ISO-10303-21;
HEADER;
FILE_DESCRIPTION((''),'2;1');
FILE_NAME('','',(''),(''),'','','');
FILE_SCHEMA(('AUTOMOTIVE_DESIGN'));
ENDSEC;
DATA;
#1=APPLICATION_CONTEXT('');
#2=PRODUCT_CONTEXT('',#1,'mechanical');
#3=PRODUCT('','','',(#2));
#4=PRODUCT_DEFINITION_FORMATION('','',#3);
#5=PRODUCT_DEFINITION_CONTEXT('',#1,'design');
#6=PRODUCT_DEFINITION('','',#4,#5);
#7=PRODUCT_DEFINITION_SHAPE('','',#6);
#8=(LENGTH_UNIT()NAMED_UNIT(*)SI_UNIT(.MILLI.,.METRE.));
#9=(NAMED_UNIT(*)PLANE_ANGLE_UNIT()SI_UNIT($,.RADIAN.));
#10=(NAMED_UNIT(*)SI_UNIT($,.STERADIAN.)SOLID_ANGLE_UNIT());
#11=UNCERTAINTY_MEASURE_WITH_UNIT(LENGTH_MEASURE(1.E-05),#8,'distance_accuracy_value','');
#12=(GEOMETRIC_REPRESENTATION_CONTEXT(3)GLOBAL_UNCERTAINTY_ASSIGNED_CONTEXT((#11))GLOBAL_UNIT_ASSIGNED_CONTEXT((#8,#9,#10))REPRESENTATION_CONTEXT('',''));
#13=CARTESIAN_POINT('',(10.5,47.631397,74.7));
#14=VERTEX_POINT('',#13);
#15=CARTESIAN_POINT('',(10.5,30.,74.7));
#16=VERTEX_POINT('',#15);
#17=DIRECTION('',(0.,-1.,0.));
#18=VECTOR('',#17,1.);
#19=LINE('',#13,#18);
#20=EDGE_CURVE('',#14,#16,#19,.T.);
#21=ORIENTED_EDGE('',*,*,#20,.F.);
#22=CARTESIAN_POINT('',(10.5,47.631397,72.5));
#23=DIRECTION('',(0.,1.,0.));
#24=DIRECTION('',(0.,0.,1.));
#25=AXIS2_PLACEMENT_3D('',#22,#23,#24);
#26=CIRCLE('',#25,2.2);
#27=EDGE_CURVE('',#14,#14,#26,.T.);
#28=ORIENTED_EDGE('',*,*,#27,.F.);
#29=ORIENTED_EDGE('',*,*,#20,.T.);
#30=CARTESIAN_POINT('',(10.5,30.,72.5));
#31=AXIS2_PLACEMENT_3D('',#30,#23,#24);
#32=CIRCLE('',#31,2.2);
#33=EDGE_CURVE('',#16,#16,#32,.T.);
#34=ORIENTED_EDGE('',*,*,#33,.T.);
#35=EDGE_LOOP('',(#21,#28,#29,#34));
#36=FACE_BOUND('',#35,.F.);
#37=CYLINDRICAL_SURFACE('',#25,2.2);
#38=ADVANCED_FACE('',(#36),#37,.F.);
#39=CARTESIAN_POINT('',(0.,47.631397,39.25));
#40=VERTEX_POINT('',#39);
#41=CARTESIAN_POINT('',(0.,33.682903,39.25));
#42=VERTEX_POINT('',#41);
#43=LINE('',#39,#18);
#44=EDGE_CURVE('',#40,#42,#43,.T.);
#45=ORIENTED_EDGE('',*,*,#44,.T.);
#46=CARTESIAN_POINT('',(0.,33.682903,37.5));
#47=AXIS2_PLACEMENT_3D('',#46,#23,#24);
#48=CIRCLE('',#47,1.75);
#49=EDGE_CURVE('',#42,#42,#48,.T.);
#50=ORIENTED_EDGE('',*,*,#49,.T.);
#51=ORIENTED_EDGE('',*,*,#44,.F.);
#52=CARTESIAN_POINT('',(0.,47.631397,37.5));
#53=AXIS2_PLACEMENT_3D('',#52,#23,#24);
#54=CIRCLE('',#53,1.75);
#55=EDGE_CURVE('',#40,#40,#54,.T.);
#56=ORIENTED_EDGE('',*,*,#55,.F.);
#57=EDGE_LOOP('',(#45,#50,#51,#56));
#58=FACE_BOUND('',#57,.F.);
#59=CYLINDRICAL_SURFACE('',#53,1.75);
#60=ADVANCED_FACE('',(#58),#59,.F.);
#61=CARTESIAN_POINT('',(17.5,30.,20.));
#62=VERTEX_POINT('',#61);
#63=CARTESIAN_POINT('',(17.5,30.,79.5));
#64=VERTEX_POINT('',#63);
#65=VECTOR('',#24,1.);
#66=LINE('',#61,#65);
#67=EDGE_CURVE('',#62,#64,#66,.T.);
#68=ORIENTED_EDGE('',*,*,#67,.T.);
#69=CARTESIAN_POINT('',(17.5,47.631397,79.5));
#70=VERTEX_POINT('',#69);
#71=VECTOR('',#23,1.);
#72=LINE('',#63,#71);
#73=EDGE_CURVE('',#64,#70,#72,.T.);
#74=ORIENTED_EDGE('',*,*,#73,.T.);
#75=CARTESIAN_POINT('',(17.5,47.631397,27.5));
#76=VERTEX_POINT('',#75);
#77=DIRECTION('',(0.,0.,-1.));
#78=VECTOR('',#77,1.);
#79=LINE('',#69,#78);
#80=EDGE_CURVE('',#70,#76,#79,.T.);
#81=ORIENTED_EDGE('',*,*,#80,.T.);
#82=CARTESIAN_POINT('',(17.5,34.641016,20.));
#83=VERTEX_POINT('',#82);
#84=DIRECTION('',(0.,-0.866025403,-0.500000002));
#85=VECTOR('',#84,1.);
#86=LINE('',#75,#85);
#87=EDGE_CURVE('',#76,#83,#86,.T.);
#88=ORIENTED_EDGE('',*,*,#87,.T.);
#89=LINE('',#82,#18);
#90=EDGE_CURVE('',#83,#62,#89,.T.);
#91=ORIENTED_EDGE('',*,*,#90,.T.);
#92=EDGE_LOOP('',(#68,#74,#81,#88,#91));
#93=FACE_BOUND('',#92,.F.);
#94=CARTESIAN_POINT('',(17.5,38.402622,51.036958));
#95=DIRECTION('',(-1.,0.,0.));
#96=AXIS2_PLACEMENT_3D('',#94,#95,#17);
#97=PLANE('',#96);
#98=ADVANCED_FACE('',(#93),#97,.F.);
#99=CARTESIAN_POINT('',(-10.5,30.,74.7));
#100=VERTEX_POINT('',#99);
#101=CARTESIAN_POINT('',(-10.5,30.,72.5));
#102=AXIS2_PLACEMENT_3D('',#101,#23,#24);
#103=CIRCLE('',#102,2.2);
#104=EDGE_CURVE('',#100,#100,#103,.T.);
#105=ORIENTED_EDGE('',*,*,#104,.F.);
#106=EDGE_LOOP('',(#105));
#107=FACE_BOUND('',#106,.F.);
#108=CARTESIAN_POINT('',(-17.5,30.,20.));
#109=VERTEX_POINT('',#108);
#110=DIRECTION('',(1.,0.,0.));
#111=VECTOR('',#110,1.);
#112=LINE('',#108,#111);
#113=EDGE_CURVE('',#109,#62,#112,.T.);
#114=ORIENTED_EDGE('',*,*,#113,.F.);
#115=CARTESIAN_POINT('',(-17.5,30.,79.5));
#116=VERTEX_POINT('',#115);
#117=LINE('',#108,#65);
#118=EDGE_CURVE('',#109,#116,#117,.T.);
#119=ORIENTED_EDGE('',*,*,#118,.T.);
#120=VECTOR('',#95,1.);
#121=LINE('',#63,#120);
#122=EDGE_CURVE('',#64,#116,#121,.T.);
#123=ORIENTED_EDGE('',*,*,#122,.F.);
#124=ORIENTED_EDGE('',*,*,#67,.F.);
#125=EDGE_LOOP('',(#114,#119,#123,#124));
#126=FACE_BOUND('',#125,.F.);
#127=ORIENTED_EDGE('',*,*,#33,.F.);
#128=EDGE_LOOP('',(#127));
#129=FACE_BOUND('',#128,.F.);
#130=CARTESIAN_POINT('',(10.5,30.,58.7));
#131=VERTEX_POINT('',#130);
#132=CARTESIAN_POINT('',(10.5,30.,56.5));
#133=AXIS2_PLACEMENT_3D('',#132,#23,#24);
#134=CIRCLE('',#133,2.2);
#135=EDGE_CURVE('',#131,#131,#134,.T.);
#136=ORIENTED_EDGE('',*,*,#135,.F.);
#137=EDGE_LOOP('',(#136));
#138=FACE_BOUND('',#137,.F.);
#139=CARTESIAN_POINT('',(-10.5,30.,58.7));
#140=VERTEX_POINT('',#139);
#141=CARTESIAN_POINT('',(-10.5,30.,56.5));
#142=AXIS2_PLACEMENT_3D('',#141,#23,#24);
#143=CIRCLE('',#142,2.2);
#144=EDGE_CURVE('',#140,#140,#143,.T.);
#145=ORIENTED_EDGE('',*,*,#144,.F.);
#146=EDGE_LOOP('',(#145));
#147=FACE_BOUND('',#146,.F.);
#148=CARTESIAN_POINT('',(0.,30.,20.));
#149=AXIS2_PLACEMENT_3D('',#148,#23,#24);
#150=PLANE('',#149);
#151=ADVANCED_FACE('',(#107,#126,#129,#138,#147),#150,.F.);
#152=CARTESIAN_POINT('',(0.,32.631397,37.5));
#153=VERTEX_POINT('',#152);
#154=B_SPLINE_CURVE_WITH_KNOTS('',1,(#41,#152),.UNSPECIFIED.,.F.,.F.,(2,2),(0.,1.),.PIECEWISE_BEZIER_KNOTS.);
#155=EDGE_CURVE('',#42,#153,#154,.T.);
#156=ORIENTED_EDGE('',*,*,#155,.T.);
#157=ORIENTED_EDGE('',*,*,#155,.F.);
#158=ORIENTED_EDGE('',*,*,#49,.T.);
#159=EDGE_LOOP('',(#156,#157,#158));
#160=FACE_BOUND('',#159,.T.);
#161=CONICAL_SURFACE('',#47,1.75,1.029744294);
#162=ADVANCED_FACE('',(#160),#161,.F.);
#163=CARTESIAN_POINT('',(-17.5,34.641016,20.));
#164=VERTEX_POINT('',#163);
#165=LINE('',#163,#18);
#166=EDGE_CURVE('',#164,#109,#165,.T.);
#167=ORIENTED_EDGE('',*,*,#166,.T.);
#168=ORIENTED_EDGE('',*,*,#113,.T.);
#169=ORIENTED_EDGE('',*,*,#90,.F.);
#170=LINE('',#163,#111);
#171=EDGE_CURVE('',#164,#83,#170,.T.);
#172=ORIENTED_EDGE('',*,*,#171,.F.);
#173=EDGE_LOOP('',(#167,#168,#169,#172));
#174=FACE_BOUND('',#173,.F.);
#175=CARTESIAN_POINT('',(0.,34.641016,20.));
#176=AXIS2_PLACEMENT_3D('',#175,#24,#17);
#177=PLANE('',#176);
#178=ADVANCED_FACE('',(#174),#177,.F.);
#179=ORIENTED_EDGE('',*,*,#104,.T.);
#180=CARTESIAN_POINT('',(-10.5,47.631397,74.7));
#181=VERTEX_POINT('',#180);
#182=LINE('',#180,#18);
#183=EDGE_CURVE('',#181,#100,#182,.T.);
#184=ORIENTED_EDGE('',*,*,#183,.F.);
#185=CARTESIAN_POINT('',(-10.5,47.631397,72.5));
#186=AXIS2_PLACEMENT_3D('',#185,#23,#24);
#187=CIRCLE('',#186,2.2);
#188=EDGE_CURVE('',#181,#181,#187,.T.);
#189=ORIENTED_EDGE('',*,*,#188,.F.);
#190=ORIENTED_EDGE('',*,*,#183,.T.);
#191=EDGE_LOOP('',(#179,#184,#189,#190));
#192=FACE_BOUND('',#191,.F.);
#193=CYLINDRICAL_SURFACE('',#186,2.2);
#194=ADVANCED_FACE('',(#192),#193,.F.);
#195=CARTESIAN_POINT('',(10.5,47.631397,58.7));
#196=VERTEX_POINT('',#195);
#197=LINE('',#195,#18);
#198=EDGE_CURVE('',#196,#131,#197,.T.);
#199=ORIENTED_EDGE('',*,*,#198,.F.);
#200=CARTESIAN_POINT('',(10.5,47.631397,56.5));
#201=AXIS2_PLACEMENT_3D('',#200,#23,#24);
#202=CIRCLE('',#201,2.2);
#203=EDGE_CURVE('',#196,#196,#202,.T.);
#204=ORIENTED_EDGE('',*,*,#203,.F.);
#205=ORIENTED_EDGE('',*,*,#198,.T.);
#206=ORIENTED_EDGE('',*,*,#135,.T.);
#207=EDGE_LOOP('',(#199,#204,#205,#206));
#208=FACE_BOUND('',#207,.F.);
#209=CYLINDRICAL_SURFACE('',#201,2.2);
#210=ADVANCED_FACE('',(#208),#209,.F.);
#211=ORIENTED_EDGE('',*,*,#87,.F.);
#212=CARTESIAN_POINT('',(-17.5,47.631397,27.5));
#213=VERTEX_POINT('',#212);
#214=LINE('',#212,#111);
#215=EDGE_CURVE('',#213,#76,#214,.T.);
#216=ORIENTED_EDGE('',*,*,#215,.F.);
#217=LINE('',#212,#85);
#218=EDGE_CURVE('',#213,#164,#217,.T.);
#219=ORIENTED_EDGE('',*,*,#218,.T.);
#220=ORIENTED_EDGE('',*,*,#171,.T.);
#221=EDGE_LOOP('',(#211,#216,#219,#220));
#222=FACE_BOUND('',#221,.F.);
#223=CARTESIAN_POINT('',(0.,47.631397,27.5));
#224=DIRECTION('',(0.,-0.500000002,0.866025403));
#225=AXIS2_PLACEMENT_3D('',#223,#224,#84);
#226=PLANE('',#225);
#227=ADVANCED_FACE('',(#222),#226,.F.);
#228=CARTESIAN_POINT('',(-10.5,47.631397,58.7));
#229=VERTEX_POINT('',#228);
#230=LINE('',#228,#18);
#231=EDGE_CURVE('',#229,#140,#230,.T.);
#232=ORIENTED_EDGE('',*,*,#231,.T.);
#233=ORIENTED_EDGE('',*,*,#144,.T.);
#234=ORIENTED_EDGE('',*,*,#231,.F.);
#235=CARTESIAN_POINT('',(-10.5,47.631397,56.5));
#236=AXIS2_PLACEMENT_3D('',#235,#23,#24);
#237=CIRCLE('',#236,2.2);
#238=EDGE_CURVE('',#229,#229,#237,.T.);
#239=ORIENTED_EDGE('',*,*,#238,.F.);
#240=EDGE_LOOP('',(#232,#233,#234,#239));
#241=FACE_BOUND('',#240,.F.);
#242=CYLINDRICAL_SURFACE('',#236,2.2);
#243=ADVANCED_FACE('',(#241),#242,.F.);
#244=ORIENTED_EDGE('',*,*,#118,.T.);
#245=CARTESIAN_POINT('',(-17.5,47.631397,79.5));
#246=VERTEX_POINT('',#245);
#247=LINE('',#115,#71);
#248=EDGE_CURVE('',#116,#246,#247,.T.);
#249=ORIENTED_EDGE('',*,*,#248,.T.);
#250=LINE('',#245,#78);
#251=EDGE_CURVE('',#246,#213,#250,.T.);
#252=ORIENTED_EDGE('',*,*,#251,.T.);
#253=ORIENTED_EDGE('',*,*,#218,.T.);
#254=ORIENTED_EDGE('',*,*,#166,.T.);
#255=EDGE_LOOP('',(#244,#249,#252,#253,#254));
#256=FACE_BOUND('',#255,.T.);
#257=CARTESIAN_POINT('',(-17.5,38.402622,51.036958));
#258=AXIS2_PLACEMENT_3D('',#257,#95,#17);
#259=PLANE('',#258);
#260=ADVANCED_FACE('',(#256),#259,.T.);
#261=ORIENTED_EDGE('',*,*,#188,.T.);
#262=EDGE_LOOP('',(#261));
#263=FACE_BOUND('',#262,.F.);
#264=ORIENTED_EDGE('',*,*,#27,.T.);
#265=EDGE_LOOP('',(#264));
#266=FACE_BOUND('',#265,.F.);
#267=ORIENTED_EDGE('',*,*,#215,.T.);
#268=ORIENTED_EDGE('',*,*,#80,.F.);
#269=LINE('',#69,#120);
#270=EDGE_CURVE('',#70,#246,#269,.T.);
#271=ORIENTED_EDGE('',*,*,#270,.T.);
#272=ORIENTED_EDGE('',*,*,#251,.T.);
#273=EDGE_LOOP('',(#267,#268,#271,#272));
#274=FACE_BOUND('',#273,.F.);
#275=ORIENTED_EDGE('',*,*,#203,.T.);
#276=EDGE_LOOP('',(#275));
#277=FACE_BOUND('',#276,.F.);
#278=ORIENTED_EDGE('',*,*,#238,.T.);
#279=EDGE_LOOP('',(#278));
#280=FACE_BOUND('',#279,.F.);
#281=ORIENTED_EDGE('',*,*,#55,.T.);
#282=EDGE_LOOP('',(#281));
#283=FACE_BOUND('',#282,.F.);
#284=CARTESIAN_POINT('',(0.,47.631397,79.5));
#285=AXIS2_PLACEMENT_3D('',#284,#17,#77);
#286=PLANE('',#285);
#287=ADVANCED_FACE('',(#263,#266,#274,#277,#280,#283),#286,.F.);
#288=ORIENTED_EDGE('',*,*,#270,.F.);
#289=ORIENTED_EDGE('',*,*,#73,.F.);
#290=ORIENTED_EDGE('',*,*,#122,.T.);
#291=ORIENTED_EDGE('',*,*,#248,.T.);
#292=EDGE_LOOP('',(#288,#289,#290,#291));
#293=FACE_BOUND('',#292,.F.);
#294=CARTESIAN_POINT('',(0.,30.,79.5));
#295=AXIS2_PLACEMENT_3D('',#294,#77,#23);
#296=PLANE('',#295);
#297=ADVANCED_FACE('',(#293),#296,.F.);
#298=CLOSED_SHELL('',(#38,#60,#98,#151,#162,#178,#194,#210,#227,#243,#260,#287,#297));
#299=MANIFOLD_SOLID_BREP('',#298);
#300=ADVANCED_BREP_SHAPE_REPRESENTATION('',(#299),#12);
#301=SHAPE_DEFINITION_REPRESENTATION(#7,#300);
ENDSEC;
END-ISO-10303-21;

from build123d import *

# Parameters (mm, degrees)
PAD_DEPTH      = 17.5
SKETCH001_R    = 2.2
HOLE_DEPTH     = 17.632397
SKETCH002_R    = 1.75
HOLE001_DEPTH  = 13.948494
HOLE001_TIPS_R = 1.75


with BuildPart() as part:
    # Sketch → Pad (new body, symmetric)
    with BuildSketch(Plane.YZ):
        Polygon((30, 20), (30, 79.5), (47.631397, 79.5), (47.631397, 27.5), (34.641016, 20), align=None)
    extrude(amount=PAD_DEPTH, both=True)

    # Sketch001 (on Face3 of Pad) → Hole (cut, through all)
    with BuildSketch(Plane.ZX.offset(47.631397)):
        with Locations((72.5, 10.5)):
            Circle(SKETCH001_R)
        with Locations((56.5, 10.5)):
            Circle(SKETCH001_R)
        with Locations((56.5, -10.5)):
            Circle(SKETCH001_R)
        with Locations((72.5, -10.5)):
            Circle(SKETCH001_R)
    extrude(amount=-HOLE_DEPTH, mode=Mode.SUBTRACT)

    # Sketch002 (on Face11 of Hole) → Hole001 (cut)
    with BuildSketch(Plane.ZX.offset(47.631397)):
        with Locations((37.5, 0)):
            Circle(SKETCH002_R)
    extrude(amount=-HOLE001_DEPTH, mode=Mode.SUBTRACT)

    # Hole001 tips → Hole001 tip 1 section 0
    with BuildSketch(Plane.ZX.offset(33.682903), mode=Mode.PRIVATE) as hole001_tip_1_s0:
        with Locations((37.5, 0)):
            Circle(HOLE001_TIPS_R)
    loft([hole001_tip_1_s0.sketch, Vertex(0, 32.631397, 37.5)], mode=Mode.SUBTRACT)


solid = part.part
